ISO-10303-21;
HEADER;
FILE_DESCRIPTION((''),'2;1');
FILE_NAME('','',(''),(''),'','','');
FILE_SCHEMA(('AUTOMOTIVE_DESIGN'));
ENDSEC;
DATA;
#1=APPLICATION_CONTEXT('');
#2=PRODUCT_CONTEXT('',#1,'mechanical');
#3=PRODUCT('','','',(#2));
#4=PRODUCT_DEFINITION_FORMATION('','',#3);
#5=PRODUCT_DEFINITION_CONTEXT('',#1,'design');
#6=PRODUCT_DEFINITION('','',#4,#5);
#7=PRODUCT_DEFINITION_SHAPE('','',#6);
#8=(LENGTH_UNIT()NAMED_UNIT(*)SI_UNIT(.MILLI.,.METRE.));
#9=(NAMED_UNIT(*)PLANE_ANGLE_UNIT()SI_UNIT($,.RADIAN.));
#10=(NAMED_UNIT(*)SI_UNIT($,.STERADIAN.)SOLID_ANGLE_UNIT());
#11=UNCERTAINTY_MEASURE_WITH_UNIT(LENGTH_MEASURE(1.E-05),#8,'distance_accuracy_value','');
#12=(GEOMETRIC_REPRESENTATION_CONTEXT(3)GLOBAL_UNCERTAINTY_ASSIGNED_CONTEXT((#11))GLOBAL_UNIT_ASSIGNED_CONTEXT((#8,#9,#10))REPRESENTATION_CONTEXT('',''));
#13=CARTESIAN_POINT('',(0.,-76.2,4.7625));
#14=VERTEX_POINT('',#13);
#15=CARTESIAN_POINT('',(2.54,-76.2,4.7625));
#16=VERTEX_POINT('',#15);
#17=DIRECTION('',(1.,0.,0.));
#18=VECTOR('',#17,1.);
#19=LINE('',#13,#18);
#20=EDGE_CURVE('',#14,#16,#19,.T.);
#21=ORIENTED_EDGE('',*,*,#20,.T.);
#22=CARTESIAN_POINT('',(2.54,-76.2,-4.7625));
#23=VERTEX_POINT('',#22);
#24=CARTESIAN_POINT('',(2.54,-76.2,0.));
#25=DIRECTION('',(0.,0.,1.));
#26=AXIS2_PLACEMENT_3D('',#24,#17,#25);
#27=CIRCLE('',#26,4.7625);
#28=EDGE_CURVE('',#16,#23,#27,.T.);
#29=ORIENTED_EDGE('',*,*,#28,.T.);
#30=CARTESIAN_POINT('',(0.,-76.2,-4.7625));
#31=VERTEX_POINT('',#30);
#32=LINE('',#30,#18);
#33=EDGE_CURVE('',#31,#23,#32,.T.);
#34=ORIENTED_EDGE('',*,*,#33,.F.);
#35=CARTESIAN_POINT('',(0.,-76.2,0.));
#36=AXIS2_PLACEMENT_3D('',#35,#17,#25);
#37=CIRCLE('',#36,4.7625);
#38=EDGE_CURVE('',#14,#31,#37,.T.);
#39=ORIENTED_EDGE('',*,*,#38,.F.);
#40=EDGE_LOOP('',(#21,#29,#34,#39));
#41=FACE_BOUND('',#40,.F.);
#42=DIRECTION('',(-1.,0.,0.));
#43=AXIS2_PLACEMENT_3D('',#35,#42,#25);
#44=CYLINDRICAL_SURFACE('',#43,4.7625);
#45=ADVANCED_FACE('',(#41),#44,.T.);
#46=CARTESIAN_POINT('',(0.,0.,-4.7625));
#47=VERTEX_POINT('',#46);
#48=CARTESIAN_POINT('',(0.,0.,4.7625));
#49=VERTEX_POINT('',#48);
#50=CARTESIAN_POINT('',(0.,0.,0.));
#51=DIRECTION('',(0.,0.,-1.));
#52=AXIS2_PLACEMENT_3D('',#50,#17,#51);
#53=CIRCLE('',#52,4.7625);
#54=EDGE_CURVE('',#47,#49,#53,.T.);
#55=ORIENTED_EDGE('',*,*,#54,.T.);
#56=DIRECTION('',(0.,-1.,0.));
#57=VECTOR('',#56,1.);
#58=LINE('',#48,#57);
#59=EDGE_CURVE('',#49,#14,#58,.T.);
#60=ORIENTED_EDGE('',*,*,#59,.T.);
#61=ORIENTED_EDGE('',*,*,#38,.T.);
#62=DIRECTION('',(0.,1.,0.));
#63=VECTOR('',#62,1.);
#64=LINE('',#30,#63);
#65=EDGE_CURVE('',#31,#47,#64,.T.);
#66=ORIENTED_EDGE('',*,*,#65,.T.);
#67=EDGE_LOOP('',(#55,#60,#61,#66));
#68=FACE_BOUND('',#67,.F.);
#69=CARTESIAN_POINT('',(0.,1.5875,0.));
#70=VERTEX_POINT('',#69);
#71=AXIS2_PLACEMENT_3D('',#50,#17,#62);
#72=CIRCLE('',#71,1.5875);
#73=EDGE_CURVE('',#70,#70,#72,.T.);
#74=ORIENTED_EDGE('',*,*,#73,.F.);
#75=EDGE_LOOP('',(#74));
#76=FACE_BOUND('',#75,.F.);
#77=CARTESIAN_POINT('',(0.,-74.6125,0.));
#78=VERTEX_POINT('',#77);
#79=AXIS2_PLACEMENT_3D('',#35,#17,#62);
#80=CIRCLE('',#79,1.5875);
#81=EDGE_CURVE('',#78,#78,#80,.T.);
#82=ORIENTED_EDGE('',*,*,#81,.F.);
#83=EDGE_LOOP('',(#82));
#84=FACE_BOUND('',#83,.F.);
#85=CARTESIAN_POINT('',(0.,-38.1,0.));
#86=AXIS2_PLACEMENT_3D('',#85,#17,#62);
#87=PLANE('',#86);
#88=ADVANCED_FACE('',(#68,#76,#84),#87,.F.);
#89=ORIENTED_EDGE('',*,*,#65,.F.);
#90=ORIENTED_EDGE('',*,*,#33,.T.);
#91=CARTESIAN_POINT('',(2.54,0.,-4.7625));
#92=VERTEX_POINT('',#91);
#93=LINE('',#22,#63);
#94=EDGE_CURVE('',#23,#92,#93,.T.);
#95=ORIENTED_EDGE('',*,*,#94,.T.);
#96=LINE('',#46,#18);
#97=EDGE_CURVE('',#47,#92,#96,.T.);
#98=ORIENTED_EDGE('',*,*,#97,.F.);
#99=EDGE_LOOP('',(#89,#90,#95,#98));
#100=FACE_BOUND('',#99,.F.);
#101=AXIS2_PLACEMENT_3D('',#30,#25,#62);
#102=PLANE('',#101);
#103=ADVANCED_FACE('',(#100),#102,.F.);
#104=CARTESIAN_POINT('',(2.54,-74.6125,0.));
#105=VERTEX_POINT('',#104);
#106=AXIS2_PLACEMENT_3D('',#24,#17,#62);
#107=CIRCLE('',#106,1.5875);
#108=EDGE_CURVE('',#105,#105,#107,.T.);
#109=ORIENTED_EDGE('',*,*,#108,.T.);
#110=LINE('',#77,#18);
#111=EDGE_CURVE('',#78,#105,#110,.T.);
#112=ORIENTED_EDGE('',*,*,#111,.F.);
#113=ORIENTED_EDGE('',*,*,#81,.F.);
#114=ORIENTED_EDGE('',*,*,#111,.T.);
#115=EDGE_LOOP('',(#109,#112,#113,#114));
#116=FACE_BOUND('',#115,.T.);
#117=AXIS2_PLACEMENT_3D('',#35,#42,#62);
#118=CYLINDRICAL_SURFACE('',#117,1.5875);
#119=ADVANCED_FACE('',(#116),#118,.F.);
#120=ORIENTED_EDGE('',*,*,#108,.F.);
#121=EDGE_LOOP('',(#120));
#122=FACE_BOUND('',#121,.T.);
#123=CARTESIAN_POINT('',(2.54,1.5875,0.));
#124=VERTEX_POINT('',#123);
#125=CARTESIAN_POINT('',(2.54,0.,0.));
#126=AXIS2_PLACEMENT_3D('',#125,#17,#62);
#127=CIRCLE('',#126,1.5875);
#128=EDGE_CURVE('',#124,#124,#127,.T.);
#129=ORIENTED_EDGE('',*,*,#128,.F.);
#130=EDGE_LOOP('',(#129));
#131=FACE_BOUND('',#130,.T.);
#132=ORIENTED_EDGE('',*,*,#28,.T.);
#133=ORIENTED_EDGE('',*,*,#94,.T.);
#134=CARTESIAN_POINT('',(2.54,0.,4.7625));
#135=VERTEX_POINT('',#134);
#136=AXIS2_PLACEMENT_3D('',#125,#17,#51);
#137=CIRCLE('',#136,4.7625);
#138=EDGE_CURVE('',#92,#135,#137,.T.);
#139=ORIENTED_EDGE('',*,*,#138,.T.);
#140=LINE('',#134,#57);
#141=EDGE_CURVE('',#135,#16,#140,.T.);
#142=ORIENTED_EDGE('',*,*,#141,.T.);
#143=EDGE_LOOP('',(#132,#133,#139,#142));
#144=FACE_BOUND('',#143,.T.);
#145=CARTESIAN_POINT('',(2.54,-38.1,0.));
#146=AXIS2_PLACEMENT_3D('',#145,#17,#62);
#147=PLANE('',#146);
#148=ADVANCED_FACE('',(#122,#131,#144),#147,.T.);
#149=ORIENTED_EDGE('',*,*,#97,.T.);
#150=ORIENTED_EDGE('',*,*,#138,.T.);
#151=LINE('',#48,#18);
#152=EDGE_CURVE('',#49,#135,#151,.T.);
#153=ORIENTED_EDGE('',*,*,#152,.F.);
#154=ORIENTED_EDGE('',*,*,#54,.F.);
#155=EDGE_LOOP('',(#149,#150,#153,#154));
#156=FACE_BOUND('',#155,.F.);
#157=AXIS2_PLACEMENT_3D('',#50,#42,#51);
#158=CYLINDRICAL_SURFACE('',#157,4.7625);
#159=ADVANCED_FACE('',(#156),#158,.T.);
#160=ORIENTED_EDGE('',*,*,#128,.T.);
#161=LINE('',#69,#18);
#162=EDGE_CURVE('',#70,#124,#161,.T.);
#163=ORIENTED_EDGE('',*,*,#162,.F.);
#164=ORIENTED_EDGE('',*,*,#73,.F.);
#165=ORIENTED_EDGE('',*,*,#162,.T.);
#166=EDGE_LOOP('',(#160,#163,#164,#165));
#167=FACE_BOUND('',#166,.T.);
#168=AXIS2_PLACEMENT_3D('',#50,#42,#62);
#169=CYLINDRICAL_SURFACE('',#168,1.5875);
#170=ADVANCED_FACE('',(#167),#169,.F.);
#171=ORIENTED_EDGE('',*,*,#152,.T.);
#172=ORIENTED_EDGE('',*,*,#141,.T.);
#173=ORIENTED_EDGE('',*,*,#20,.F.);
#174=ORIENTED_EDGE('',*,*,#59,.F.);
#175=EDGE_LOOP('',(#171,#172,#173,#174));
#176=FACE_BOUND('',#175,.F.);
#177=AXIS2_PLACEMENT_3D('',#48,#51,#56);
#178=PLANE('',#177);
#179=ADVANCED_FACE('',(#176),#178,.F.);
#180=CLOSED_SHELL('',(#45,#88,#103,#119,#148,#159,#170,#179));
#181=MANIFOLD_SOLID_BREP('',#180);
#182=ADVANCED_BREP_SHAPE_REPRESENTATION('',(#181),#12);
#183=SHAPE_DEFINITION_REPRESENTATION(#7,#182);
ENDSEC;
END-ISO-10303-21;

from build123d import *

# Parameters (mm, degrees)
F0_R     = 1.5875
F1_DEPTH = 2.54


with BuildPart() as f1:
    # F0 (on Right) → F1 (new body)
    with BuildSketch(Plane.YZ):
        with BuildLine():
            ThreePointArc((0, -4.7625), (4.7625, 0), (0, 4.7625))
            Line((0, 4.7625), (-76.2, 4.7625))
            ThreePointArc((-76.2, 4.7625), (-80.9625, 0), (-76.2, -4.7625))
            Line((-76.2, -4.7625), (0, -4.7625))
        make_face()
        with Locations((-76.2, 0)):
            Circle(F0_R, mode=Mode.SUBTRACT)
        Circle(F0_R, mode=Mode.SUBTRACT)
    extrude(amount=F1_DEPTH)


solid = f1.part
